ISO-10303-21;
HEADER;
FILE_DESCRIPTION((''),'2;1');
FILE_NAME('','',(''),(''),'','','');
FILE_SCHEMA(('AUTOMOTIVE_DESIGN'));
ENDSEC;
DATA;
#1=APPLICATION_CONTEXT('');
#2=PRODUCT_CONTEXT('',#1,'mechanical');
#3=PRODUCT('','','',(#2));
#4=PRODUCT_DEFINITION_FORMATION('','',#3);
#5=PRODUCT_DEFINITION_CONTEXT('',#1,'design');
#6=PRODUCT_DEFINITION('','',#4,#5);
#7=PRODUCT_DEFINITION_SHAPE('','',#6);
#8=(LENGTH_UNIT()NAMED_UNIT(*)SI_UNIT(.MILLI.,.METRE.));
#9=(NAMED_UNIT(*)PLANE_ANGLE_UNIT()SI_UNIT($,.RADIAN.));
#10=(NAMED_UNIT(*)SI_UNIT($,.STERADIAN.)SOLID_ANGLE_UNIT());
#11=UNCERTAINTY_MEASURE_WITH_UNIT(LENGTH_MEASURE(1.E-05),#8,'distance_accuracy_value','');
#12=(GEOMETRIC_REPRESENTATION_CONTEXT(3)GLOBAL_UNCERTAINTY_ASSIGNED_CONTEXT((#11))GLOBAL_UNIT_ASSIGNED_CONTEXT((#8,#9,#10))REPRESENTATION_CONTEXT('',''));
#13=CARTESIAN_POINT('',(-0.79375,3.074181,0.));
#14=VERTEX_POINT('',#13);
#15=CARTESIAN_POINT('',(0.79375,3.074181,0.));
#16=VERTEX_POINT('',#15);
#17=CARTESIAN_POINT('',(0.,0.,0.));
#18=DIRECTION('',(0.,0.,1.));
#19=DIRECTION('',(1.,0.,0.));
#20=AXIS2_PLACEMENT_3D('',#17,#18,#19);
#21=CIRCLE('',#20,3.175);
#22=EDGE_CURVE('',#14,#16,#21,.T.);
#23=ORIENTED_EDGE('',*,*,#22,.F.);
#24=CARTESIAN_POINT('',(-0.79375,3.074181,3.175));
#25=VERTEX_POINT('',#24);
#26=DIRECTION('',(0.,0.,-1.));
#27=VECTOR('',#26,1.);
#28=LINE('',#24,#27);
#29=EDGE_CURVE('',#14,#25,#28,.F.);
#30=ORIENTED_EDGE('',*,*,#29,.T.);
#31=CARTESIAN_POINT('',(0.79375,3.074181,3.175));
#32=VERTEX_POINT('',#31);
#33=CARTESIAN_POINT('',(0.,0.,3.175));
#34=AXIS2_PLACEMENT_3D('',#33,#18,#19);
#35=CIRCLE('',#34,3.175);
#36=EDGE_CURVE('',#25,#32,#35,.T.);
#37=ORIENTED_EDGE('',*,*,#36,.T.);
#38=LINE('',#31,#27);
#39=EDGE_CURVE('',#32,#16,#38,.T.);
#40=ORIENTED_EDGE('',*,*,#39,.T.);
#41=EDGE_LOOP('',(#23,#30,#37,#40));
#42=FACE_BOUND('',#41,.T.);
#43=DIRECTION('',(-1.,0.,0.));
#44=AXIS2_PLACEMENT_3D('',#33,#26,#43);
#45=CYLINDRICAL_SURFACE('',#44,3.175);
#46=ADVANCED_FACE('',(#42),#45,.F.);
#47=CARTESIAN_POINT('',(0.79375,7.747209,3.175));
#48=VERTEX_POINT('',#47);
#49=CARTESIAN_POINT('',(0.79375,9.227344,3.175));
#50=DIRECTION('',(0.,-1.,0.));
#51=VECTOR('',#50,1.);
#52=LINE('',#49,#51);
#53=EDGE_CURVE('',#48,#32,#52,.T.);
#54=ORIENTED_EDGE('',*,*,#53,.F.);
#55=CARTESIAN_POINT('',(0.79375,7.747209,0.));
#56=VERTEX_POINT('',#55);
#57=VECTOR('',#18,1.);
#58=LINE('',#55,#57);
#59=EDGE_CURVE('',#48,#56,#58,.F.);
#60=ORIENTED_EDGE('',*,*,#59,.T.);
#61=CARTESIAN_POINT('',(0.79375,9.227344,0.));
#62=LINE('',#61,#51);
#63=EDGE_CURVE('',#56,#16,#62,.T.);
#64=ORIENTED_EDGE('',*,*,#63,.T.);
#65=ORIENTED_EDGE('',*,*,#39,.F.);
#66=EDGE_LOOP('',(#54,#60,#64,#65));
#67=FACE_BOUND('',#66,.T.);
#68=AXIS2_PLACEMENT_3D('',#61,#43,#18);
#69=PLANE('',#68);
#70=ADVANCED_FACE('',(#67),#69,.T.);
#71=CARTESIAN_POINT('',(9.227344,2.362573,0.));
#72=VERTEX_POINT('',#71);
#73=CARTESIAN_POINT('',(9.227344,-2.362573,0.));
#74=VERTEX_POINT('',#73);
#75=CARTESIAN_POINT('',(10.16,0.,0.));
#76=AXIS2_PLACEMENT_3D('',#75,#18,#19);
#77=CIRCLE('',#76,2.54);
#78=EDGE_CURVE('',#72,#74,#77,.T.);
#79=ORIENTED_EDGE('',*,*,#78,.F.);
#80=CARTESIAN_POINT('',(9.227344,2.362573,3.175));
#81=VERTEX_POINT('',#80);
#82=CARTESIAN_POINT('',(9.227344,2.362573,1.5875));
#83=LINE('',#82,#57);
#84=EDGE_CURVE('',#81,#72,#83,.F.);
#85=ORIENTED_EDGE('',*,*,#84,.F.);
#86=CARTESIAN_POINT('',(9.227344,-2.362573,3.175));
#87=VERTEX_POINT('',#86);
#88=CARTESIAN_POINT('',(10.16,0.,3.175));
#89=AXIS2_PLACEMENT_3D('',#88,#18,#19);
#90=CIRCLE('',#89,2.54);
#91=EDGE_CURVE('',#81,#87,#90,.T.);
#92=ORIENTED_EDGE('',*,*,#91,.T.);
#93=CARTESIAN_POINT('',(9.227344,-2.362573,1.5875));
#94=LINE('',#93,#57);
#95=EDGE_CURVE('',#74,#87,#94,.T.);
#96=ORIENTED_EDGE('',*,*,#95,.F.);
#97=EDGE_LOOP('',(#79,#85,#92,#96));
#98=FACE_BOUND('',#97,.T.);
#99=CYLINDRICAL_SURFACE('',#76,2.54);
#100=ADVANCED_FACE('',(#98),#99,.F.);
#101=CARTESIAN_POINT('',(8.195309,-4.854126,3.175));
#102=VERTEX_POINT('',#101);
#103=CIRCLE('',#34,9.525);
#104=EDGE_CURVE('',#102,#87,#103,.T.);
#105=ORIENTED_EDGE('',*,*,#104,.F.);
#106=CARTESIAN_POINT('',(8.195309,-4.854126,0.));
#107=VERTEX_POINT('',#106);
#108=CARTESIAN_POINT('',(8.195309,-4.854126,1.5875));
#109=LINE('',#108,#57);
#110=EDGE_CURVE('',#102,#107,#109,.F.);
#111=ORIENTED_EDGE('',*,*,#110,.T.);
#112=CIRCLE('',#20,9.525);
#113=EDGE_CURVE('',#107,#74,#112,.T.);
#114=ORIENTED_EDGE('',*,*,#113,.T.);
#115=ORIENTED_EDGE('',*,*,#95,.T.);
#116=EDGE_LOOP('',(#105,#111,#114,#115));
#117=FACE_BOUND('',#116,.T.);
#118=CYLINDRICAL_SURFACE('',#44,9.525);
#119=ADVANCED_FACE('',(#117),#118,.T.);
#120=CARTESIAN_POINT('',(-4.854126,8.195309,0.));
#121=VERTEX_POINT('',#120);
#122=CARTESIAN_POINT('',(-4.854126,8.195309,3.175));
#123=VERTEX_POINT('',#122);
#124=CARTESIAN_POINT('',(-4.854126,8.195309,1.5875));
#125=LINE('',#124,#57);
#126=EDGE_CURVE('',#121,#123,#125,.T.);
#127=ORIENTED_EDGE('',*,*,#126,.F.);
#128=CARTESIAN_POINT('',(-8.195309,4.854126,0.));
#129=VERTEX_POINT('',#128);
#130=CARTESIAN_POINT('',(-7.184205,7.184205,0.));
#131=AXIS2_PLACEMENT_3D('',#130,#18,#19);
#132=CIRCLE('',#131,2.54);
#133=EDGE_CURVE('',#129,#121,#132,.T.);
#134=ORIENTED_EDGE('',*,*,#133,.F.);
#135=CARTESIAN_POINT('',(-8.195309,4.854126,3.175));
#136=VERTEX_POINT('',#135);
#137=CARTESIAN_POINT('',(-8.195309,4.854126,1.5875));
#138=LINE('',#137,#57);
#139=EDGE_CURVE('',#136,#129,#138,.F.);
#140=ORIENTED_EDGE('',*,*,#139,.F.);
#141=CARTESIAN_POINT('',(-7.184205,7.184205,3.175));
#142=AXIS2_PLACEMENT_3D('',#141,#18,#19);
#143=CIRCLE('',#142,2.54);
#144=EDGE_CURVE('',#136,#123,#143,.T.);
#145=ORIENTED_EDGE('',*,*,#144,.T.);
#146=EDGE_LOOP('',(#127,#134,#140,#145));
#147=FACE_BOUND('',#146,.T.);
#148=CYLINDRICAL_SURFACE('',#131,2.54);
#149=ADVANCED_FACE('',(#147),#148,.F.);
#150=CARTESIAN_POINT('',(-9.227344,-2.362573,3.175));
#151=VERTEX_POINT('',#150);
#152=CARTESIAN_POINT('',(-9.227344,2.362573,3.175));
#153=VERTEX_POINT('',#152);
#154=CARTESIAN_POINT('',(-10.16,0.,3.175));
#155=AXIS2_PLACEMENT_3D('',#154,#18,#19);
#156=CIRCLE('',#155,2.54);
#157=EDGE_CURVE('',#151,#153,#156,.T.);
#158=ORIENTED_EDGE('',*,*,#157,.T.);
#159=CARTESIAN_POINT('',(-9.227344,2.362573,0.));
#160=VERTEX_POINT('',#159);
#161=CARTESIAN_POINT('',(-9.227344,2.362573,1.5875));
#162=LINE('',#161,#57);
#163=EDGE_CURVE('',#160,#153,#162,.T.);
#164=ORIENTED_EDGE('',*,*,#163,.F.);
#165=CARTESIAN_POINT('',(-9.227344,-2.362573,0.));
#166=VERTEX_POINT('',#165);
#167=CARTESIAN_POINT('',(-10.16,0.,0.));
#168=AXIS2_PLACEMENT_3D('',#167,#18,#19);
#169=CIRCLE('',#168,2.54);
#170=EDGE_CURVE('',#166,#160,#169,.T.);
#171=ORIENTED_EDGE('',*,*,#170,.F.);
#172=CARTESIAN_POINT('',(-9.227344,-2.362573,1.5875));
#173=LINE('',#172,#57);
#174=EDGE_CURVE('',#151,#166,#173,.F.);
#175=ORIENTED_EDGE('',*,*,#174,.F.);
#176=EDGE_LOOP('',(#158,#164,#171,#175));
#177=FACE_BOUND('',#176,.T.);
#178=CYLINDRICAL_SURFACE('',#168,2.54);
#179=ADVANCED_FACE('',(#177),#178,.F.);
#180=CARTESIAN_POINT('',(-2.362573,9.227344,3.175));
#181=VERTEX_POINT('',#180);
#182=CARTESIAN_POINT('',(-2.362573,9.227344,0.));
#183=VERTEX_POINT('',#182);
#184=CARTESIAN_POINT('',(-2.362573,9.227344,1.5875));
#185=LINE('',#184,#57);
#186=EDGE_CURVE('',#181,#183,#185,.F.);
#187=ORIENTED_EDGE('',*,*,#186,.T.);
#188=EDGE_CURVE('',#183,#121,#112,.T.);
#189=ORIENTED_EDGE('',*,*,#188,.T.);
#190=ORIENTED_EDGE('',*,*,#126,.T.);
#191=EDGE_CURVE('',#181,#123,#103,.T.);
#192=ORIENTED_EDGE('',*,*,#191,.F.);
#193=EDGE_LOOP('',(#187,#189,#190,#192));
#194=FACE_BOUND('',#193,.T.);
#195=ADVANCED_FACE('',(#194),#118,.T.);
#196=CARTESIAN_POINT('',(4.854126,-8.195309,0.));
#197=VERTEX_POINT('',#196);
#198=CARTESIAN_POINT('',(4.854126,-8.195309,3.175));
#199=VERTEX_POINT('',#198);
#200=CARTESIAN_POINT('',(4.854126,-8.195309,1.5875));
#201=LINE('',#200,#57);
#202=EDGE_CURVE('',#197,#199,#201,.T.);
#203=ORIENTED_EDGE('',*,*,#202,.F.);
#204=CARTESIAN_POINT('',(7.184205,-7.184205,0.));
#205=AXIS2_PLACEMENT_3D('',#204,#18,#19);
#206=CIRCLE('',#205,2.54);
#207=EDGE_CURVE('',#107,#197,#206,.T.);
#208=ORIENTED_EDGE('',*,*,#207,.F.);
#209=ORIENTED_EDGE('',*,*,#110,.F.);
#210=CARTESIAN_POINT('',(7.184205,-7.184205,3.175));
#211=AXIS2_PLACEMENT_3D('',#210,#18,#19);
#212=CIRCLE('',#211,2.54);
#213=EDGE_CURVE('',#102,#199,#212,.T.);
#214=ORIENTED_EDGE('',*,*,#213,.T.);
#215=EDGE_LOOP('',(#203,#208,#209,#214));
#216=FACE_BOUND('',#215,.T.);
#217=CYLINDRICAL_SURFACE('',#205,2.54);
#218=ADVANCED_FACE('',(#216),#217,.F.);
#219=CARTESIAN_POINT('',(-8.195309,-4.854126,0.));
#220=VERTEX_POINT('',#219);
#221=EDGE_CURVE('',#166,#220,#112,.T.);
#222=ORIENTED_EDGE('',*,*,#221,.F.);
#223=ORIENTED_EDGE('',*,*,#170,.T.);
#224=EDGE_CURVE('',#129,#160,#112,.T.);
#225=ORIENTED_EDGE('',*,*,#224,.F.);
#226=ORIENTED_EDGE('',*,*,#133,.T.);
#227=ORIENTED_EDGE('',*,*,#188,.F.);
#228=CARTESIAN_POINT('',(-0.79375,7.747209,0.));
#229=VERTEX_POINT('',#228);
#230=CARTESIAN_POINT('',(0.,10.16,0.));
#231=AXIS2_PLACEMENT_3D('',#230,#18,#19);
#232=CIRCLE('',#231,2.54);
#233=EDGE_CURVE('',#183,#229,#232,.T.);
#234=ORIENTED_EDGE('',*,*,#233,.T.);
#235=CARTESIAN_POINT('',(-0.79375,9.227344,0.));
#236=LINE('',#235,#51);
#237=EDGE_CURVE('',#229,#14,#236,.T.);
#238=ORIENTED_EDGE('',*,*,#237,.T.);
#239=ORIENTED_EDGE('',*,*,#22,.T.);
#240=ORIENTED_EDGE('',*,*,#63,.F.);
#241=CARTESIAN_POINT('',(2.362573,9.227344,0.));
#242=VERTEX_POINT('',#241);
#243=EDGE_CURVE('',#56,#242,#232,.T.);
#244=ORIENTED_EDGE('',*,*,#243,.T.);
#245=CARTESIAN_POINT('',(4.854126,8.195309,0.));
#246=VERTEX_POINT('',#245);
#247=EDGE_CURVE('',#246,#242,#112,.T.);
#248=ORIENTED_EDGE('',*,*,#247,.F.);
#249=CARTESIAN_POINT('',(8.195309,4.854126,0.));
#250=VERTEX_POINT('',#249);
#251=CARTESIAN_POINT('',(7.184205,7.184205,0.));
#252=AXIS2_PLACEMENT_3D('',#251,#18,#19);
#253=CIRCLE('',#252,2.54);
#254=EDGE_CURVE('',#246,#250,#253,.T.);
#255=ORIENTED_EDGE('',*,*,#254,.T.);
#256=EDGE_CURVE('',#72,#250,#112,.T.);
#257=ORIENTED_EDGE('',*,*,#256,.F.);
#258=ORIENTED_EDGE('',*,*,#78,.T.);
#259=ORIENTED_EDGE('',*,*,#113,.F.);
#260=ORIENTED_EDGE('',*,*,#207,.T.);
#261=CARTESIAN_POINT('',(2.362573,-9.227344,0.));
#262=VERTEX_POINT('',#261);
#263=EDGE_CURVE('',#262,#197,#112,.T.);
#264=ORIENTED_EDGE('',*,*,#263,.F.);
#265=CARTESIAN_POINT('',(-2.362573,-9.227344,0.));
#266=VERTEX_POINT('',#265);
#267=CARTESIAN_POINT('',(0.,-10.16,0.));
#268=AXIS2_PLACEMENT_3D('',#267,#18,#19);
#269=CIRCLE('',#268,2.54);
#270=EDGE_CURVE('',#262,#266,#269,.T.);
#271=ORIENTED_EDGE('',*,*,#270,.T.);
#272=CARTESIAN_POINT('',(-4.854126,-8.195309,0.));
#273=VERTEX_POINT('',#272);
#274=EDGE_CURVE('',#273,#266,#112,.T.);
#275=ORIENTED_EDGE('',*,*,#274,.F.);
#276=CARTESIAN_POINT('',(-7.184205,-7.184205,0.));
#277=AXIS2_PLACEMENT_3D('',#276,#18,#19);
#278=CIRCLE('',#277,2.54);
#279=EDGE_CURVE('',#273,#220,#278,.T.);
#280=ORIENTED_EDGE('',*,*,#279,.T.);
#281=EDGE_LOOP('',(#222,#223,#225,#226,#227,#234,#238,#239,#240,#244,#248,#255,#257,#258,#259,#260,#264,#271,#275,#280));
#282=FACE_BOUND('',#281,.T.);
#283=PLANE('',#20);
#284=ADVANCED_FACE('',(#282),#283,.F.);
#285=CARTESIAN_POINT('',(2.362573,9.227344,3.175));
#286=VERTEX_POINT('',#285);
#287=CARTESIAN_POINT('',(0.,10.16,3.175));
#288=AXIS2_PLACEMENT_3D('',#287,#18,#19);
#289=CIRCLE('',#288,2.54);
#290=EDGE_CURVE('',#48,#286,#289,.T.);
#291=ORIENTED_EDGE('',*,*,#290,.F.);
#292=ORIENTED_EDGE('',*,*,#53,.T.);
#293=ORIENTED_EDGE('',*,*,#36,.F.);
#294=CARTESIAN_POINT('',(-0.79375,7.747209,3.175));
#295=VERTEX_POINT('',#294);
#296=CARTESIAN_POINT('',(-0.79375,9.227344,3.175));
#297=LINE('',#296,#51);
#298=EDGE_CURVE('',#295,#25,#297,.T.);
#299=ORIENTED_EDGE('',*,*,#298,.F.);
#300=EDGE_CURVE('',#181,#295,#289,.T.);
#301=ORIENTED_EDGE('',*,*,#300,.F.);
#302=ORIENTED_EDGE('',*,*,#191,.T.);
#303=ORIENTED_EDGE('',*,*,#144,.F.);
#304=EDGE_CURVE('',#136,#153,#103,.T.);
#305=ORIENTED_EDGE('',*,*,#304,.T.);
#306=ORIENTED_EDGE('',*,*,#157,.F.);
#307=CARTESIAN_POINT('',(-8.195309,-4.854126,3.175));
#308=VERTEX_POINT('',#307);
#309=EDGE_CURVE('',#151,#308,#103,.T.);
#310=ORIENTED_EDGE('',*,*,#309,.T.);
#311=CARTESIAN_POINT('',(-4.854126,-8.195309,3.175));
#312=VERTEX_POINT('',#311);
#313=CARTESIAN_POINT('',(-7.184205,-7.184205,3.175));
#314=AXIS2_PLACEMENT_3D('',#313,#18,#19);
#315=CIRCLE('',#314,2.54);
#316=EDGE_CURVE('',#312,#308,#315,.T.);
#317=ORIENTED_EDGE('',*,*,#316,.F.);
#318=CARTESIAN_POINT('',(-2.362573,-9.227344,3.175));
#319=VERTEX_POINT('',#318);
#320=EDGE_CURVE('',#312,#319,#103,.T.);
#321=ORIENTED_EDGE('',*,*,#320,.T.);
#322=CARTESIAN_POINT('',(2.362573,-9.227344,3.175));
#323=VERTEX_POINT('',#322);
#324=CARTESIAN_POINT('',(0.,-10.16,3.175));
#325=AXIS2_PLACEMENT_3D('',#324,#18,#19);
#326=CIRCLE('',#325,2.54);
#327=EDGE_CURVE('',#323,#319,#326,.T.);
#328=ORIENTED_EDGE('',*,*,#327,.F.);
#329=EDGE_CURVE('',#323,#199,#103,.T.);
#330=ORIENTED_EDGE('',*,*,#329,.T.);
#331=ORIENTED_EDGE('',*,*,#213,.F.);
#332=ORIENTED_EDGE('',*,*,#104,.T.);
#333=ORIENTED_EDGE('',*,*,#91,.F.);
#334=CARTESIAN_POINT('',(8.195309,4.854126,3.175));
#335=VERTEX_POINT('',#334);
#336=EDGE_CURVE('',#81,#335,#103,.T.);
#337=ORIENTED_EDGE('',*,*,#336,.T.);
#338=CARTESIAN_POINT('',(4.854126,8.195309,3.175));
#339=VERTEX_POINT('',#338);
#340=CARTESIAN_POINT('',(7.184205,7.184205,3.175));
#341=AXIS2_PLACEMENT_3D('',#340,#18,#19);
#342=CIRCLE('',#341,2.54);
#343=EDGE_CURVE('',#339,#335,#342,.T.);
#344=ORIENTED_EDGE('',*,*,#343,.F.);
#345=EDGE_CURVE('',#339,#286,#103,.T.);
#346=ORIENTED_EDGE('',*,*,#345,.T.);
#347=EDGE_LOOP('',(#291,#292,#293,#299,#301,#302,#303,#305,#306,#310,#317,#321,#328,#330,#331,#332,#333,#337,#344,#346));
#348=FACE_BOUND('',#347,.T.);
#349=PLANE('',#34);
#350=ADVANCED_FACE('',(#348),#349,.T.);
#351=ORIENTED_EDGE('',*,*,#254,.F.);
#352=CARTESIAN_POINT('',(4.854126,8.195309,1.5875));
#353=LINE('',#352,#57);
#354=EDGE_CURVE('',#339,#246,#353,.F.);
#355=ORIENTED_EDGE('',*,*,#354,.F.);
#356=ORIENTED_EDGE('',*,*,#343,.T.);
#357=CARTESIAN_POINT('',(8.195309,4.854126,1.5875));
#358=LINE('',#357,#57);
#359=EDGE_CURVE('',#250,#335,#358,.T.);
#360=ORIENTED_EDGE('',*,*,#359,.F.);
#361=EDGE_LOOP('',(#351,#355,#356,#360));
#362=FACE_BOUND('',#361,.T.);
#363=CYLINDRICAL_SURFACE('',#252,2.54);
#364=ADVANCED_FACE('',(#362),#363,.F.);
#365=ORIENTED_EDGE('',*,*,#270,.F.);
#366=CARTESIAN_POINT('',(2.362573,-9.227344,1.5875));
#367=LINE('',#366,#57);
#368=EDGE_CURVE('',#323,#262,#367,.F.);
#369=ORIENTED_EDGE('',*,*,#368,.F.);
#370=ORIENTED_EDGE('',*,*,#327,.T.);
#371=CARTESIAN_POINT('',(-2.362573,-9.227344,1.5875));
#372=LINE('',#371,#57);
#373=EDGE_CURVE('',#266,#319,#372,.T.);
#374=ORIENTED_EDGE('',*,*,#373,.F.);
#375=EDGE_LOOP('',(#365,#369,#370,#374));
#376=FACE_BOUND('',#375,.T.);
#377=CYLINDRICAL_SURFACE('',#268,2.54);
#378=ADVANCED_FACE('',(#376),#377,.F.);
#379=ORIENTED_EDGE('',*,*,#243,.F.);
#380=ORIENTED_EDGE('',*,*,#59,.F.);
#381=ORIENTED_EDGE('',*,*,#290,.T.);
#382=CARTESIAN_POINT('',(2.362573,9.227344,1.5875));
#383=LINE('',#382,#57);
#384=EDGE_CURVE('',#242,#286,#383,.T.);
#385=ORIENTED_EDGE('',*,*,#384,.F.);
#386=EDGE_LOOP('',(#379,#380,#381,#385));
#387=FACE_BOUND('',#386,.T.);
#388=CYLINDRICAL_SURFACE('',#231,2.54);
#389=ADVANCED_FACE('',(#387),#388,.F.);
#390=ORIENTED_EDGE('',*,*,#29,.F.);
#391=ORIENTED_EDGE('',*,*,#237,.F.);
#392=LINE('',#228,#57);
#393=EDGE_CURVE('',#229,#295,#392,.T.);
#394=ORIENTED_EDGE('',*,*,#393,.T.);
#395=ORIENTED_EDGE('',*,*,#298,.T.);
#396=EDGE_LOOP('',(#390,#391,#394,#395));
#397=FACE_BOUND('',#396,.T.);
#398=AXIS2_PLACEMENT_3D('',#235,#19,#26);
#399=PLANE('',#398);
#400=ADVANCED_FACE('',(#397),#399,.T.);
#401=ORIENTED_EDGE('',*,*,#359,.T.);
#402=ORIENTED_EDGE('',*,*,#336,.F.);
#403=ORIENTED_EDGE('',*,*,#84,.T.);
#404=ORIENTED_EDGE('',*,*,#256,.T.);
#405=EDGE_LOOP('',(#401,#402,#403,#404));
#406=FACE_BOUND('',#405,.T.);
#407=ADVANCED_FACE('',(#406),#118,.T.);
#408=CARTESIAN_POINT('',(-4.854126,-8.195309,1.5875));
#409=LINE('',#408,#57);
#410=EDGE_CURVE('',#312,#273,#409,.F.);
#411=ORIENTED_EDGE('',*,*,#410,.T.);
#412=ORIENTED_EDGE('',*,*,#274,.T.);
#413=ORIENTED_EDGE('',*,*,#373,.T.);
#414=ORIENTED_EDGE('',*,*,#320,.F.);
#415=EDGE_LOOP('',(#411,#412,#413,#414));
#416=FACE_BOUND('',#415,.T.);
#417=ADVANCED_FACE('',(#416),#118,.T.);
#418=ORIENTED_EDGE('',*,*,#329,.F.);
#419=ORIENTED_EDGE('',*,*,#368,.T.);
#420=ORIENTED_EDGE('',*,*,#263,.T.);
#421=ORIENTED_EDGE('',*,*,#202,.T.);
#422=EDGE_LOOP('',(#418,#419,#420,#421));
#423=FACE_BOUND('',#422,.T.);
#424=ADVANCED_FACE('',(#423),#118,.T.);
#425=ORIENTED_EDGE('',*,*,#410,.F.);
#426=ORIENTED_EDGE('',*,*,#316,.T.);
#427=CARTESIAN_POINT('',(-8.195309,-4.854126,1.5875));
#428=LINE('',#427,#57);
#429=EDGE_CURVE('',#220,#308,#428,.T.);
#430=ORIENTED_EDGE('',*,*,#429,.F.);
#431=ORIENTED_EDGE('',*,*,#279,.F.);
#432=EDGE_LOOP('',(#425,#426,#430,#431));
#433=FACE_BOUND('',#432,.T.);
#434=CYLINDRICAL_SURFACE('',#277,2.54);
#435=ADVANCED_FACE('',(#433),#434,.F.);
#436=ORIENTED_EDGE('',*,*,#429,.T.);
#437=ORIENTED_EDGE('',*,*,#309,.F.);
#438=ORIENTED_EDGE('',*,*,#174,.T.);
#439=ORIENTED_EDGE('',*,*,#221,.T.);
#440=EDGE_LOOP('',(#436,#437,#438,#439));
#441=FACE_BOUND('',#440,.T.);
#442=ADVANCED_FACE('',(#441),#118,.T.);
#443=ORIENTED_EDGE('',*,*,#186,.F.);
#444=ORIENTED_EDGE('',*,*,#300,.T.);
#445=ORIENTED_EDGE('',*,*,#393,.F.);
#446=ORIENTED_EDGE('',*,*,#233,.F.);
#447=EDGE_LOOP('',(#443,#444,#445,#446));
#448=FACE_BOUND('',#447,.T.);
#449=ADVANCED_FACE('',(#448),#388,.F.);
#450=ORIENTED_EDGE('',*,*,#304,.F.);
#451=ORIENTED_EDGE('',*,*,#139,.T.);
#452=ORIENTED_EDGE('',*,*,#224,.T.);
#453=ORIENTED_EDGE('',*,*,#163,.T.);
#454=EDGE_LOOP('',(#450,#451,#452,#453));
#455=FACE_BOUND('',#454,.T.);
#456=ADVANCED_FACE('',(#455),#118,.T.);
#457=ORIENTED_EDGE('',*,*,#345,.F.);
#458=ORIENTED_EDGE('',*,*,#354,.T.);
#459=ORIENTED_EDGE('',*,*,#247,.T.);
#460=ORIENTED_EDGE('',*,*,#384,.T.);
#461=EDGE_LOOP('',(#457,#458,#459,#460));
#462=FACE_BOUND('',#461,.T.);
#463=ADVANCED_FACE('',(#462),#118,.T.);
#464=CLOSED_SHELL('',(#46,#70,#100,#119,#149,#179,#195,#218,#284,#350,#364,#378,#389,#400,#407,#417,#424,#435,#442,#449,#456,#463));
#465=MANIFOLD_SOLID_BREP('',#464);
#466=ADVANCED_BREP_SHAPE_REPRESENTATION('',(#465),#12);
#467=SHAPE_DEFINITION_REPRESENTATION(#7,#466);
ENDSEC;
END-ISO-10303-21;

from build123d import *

# Parameters (mm, degrees)
CROQUIS1_R              = 9.525
CROQUIS1_R_2            = 3.175
SALIENTE_EXTRUIR1_DEPTH = 3.175
CROQUIS2_R              = 2.54
CORTAR_EXTRUIR1_DEPTH   = 3.175
CROQUIS3_W              = 1.5875
CROQUIS3_H              = 3.175
CORTAR_EXTRUIR2_DEPTH   = 14.430129201


with BuildPart() as part:
    # Croquis1 → Saliente-Extruir1 (new body)
    with BuildSketch(Plane.XY):
        Circle(CROQUIS1_R)
        Circle(CROQUIS1_R_2, mode=Mode.SUBTRACT)
    extrude(amount=SALIENTE_EXTRUIR1_DEPTH)

    # Croquis2 → Cortar-Extruir1 (cut)
    with BuildSketch(Plane.XY.offset(3.175)):
        with Locations((-10.16, 0)):
            Circle(CROQUIS2_R)
        with Locations((-7.184204897, 7.184204897)):
            Circle(CROQUIS2_R)
        with Locations((0, 10.16)):
            Circle(CROQUIS2_R)
        with Locations((7.184204897, 7.184204897)):
            Circle(CROQUIS2_R)
        with Locations((10.16, 0)):
            Circle(CROQUIS2_R)
        with Locations((7.184204897, -7.184204897)):
            Circle(CROQUIS2_R)
        with Locations((0, -10.16)):
            Circle(CROQUIS2_R)
        with Locations((-7.184204897, -7.184204897)):
            Circle(CROQUIS2_R)
    extrude(amount=-CORTAR_EXTRUIR1_DEPTH, mode=Mode.SUBTRACT)

    # Croquis3 → Cortar-Extruir2 (cut, through all)
    with BuildSketch(Plane(origin=(0, 0, 0), x_dir=(1, 0, 0), z_dir=(0, 1, 0))):
        with Locations((0, -1.5875)):
            Rectangle(CROQUIS3_W, CROQUIS3_H)
    extrude(amount=CORTAR_EXTRUIR2_DEPTH, mode=Mode.SUBTRACT)


solid = part.part
